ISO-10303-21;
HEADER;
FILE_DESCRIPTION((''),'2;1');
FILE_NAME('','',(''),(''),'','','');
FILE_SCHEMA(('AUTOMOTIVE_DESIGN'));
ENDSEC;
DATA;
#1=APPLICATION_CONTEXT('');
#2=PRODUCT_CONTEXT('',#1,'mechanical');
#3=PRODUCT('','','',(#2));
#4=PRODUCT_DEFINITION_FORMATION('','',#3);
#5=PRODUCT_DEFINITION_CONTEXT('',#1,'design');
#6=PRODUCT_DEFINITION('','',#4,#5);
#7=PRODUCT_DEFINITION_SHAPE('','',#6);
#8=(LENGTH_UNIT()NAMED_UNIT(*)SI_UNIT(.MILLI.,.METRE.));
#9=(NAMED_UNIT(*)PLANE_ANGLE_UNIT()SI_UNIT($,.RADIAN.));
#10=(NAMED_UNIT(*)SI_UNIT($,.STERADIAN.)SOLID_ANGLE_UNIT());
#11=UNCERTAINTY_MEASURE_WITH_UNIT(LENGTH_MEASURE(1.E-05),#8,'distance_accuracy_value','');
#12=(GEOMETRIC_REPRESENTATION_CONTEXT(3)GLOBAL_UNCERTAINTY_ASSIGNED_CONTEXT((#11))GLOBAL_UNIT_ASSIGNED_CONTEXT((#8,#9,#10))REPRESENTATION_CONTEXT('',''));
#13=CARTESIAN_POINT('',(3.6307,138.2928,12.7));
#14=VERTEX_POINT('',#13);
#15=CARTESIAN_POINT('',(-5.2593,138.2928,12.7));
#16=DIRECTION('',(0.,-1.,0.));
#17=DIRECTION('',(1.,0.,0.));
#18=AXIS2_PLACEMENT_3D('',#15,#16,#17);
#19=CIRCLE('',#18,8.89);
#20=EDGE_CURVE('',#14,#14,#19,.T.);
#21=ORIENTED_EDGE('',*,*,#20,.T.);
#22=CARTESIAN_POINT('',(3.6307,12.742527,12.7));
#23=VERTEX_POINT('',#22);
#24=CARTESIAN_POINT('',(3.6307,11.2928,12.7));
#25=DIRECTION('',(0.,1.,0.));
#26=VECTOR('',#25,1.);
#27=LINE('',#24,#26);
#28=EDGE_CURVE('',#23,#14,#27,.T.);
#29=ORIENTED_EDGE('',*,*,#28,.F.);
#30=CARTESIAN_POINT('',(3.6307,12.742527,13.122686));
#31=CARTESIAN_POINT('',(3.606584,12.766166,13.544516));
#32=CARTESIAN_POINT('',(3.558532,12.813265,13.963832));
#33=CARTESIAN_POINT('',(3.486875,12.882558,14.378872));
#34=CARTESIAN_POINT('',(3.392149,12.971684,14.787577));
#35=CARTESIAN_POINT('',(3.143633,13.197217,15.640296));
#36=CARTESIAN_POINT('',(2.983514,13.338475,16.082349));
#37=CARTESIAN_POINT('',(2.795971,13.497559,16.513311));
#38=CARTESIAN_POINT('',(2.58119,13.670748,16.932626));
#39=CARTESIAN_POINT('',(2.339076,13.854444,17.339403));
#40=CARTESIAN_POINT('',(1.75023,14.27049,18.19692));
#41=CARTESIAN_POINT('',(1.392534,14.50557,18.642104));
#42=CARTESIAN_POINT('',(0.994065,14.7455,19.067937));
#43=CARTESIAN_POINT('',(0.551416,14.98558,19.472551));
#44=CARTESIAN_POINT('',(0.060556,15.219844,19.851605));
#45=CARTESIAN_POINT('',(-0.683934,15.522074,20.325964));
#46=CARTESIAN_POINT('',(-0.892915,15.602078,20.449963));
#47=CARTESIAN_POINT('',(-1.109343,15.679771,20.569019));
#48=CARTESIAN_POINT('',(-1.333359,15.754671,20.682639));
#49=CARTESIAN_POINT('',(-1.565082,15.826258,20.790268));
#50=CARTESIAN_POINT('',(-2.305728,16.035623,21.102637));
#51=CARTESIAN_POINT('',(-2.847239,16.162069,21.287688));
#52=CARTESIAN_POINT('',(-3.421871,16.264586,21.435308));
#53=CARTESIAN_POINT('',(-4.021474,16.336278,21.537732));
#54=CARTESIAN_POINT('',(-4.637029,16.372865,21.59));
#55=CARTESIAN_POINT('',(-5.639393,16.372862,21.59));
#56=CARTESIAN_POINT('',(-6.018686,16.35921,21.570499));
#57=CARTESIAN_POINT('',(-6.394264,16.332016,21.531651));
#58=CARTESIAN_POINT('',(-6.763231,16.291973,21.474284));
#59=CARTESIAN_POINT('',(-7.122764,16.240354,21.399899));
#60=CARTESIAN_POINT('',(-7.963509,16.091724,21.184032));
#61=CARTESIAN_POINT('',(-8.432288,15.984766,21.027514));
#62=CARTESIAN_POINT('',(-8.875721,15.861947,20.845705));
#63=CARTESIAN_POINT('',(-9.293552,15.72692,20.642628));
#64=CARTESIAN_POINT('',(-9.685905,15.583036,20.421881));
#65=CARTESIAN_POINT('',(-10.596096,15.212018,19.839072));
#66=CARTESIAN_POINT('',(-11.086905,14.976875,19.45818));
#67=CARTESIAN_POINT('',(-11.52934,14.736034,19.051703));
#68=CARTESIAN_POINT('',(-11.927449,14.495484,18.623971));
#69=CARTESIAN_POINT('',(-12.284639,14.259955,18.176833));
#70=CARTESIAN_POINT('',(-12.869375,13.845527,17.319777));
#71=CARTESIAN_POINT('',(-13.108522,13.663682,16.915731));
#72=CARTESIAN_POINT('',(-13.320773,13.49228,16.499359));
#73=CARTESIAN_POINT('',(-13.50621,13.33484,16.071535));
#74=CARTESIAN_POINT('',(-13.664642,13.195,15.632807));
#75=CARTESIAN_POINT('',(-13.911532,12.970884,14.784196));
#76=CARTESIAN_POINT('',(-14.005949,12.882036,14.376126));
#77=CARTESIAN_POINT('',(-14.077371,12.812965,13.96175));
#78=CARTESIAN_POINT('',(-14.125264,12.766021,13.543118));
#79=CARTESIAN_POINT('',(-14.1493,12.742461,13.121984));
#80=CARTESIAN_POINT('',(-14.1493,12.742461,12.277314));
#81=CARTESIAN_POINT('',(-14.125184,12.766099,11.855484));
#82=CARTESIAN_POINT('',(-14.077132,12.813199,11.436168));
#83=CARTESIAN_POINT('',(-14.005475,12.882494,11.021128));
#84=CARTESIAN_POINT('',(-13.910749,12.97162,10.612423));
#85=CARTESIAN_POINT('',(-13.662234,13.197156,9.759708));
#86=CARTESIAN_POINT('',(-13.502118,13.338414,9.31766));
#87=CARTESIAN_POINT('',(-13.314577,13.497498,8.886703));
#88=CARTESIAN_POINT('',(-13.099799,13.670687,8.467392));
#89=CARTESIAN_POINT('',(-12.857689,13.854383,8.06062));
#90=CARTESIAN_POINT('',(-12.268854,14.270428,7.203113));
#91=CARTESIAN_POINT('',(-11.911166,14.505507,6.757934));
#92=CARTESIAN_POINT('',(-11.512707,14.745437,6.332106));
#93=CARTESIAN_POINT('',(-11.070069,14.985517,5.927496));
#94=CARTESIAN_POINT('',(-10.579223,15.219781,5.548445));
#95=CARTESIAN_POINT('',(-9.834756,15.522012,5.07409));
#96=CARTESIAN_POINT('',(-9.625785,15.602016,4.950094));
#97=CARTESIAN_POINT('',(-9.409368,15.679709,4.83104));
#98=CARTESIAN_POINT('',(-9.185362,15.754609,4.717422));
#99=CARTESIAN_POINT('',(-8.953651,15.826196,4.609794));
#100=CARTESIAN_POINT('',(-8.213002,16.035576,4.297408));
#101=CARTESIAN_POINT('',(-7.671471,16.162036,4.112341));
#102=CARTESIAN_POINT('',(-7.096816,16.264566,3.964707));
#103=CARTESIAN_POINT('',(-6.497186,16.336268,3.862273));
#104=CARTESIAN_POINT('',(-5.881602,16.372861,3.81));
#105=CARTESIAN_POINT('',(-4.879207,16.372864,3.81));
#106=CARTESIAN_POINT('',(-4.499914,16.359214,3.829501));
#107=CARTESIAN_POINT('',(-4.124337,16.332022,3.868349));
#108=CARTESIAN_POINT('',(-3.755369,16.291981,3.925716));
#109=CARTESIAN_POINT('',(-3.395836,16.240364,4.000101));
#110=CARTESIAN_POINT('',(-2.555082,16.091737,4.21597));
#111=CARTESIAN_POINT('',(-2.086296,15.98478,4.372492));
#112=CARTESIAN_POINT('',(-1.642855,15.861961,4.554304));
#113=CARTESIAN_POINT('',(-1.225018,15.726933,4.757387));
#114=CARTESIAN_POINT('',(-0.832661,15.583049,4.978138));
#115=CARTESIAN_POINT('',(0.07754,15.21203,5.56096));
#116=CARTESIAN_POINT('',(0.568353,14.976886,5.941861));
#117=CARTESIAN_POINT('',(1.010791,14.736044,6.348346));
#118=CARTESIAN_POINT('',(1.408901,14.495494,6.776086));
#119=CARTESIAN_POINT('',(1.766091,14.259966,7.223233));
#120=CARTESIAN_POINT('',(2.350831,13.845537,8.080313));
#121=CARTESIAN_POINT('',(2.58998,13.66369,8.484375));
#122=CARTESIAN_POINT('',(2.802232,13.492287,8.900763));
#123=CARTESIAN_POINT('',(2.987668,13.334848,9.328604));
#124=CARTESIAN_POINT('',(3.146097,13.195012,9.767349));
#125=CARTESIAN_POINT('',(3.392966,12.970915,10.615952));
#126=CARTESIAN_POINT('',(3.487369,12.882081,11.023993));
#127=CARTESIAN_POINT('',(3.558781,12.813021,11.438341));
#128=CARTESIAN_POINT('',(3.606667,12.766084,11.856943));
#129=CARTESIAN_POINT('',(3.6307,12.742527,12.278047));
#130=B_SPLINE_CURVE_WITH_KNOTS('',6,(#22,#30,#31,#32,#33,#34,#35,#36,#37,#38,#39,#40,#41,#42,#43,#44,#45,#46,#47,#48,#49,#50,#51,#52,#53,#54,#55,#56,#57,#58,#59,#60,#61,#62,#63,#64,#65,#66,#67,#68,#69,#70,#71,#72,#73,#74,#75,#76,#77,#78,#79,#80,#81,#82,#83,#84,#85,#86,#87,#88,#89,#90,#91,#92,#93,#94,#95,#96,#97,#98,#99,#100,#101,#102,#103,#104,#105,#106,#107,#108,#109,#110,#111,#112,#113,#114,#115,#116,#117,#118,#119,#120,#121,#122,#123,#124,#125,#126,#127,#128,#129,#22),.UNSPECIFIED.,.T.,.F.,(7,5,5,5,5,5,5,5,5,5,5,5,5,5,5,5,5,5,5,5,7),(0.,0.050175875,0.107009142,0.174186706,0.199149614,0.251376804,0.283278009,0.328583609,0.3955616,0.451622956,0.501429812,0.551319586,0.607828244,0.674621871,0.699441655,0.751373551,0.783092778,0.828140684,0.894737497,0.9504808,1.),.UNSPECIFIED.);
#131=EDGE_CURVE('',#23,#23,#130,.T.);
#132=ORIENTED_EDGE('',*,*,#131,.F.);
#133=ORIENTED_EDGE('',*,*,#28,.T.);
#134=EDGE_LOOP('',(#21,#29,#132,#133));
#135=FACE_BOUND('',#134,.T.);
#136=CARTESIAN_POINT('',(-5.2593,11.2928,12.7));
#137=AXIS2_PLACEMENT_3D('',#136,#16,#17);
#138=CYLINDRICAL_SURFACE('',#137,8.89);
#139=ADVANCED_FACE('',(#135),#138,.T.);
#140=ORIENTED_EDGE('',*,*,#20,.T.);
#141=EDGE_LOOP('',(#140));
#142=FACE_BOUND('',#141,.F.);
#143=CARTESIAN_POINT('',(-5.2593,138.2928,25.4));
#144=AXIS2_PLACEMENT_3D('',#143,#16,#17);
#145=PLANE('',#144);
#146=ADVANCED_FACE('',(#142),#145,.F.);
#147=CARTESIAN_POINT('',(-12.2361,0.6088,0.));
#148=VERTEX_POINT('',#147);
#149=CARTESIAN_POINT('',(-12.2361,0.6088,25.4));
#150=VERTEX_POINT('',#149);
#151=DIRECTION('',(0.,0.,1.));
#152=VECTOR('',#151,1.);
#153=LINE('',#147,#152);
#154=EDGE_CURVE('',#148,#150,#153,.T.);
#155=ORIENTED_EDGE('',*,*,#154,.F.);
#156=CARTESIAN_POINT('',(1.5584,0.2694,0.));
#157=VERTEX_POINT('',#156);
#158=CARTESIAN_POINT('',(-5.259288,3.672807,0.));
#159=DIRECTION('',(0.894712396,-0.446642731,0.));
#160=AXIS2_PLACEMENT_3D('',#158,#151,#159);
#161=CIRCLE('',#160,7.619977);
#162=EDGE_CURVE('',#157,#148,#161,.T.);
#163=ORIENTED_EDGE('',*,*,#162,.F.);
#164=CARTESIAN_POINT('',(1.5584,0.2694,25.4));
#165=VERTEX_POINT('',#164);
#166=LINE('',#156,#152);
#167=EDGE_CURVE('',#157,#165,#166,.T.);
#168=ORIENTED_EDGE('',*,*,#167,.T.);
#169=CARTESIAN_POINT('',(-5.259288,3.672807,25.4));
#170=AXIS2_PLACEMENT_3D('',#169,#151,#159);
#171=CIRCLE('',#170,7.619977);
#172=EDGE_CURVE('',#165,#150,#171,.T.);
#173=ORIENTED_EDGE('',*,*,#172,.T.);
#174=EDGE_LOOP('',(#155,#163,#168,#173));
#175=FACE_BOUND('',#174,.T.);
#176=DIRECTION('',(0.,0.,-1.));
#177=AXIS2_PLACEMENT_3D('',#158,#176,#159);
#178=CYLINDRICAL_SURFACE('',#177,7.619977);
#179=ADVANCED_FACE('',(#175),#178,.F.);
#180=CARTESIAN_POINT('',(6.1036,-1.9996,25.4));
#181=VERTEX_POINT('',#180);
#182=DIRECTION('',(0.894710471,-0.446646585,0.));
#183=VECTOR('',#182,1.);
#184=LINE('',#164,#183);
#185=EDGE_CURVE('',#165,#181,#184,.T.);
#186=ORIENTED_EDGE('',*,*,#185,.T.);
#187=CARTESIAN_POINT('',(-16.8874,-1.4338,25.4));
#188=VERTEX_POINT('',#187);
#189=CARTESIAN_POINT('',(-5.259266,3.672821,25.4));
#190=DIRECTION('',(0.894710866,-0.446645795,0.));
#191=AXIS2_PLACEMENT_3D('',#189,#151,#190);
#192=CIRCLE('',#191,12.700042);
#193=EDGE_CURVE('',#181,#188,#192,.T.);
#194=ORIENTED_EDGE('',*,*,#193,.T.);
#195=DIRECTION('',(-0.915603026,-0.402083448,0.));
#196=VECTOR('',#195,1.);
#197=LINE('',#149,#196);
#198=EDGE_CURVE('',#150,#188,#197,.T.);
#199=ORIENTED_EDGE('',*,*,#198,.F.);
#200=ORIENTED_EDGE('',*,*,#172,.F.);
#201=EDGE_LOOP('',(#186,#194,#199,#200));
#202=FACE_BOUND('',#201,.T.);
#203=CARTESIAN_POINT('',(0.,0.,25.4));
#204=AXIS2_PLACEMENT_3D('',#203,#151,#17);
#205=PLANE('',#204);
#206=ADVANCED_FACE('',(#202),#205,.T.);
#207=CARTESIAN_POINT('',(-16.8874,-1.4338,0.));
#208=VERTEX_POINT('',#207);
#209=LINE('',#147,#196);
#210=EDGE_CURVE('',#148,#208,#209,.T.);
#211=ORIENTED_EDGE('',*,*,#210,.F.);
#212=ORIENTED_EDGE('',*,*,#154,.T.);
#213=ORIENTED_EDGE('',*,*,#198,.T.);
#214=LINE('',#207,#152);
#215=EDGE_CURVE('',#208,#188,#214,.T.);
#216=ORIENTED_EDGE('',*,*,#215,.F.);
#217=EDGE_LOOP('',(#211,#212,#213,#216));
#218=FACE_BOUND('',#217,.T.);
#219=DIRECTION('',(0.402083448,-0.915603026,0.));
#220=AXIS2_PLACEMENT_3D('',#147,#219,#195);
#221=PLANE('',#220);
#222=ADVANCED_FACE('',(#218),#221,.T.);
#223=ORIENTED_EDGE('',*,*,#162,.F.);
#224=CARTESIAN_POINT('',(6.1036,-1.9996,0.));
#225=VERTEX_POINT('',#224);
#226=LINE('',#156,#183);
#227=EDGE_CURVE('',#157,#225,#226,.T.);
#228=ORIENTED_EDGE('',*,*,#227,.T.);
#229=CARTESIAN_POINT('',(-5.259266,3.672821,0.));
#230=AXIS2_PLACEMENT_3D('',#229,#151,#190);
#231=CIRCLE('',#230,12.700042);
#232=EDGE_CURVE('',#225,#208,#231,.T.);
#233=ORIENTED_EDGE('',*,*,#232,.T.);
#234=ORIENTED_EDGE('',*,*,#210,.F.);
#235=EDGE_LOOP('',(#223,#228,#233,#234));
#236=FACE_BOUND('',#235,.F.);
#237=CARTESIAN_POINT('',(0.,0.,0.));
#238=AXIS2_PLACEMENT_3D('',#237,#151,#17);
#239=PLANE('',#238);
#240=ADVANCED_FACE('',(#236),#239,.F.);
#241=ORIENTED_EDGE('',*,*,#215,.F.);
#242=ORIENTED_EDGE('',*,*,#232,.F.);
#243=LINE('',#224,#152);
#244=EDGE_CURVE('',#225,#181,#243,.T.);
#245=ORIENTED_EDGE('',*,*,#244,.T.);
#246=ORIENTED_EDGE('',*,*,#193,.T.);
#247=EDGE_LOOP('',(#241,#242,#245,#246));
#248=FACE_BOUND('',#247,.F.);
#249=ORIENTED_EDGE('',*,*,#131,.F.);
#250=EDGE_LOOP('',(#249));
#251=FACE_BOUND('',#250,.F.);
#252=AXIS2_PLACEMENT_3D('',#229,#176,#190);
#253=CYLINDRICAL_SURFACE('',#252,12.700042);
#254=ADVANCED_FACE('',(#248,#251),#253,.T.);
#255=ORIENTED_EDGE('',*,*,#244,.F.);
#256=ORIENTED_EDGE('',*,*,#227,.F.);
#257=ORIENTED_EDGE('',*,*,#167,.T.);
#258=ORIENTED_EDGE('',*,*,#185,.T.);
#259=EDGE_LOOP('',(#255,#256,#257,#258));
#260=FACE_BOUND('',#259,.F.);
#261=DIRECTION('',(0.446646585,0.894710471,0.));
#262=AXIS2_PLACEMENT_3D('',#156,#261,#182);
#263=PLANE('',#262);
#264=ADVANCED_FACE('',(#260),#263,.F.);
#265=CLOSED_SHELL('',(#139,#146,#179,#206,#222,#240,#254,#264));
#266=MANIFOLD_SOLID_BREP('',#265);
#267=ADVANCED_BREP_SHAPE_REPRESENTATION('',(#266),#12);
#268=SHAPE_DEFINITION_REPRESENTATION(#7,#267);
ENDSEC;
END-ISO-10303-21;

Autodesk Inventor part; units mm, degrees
ref_plane "YZ Plane" through (0, 0, 0) normal (1, 0, 0) x (0, 1, 0)
ref_plane "XZ Plane" through (0, 0, 0) normal (0, 1, 0) x (-1, 0, 0)
ref_plane "XY Plane" through (0, 0, 0) normal (0, 0, 1) x (1, 0, 0)
sketch "Sketch1" plane through (0, 0, 0) normal (0, 0, 1) x (1, 0, 0)
  arc A0 (6.1036, -1.9996) -> (-16.8874, -1.4338) centre (-5.2593, 3.6728) ccw
  arc A1 (1.5584, 0.2694) -> (-12.2361, 0.6088) centre (-5.2593, 3.6728) ccw
  line L0 (-12.2361, 0.6088) -> (-16.8874, -1.4338)
  line L1 (1.5584, 0.2694) -> (6.1036, -1.9996)
  point P0 (0, 0)
  dimension "d0" = 25.4
  dimension "d1" = 15.24
extrude "Extrusion1" add sketch "Sketch1" along normal blind 25.4
sketch "Sketch2" plane through (0, 0, 25.4) normal (0, 0, 1) x (1, 0, 0)
  arc A0 (6.1036, -1.9996) -> (-16.8874, -1.4338) centre (-5.2593, 3.6728) ccw projected
  line L0 (-5.2593, 16.3728) -> (1.9559, 16.3728) construction
  arc A1 (1.5584, 0.2694) -> (-12.2361, 0.6088) centre (-5.2593, 3.6728) ccw projected
  line L1 (-5.2593, 11.2928) -> (0.7923, 11.2928) construction
  point P0 (0, 0)
  point P1 (-12.1004, 0.3168)
  point P2 (1.2826, -0.2347)
ref_plane "Work Plane2" through (-5.2593, 11.2928, 25.4) normal (0, -1, 0) x (1, 0, 0)
sketch "Sketch3" plane through (-5.2593, 11.2928, 25.4) normal (0, -1, 0) x (1, 0, 0)
  line L0 (12.7, 0) -> (-12.7, 0) projected
  line L1 (-12.7, -25.4) -> (12.7, -25.4) projected
  line L2 (-12.7, 0) -> (12.7, -25.4) construction
  line L3 (12.7, 0) -> (-12.7, -25.4) construction
  circle A0 centre (0, -12.7) radius 8.89
  point P0 (5.2593, -25.4)
  point P1 (11.3628, 0)
  point P2 (-11.6281, 0)
  point P3 (11.3628, -25.4)
  point P4 (-11.6281, -25.4)
  dimension "d4" = 17.78
extrude "Extrusion2" add sketch "Sketch3" against normal blind 127
properties part number "golf1"
